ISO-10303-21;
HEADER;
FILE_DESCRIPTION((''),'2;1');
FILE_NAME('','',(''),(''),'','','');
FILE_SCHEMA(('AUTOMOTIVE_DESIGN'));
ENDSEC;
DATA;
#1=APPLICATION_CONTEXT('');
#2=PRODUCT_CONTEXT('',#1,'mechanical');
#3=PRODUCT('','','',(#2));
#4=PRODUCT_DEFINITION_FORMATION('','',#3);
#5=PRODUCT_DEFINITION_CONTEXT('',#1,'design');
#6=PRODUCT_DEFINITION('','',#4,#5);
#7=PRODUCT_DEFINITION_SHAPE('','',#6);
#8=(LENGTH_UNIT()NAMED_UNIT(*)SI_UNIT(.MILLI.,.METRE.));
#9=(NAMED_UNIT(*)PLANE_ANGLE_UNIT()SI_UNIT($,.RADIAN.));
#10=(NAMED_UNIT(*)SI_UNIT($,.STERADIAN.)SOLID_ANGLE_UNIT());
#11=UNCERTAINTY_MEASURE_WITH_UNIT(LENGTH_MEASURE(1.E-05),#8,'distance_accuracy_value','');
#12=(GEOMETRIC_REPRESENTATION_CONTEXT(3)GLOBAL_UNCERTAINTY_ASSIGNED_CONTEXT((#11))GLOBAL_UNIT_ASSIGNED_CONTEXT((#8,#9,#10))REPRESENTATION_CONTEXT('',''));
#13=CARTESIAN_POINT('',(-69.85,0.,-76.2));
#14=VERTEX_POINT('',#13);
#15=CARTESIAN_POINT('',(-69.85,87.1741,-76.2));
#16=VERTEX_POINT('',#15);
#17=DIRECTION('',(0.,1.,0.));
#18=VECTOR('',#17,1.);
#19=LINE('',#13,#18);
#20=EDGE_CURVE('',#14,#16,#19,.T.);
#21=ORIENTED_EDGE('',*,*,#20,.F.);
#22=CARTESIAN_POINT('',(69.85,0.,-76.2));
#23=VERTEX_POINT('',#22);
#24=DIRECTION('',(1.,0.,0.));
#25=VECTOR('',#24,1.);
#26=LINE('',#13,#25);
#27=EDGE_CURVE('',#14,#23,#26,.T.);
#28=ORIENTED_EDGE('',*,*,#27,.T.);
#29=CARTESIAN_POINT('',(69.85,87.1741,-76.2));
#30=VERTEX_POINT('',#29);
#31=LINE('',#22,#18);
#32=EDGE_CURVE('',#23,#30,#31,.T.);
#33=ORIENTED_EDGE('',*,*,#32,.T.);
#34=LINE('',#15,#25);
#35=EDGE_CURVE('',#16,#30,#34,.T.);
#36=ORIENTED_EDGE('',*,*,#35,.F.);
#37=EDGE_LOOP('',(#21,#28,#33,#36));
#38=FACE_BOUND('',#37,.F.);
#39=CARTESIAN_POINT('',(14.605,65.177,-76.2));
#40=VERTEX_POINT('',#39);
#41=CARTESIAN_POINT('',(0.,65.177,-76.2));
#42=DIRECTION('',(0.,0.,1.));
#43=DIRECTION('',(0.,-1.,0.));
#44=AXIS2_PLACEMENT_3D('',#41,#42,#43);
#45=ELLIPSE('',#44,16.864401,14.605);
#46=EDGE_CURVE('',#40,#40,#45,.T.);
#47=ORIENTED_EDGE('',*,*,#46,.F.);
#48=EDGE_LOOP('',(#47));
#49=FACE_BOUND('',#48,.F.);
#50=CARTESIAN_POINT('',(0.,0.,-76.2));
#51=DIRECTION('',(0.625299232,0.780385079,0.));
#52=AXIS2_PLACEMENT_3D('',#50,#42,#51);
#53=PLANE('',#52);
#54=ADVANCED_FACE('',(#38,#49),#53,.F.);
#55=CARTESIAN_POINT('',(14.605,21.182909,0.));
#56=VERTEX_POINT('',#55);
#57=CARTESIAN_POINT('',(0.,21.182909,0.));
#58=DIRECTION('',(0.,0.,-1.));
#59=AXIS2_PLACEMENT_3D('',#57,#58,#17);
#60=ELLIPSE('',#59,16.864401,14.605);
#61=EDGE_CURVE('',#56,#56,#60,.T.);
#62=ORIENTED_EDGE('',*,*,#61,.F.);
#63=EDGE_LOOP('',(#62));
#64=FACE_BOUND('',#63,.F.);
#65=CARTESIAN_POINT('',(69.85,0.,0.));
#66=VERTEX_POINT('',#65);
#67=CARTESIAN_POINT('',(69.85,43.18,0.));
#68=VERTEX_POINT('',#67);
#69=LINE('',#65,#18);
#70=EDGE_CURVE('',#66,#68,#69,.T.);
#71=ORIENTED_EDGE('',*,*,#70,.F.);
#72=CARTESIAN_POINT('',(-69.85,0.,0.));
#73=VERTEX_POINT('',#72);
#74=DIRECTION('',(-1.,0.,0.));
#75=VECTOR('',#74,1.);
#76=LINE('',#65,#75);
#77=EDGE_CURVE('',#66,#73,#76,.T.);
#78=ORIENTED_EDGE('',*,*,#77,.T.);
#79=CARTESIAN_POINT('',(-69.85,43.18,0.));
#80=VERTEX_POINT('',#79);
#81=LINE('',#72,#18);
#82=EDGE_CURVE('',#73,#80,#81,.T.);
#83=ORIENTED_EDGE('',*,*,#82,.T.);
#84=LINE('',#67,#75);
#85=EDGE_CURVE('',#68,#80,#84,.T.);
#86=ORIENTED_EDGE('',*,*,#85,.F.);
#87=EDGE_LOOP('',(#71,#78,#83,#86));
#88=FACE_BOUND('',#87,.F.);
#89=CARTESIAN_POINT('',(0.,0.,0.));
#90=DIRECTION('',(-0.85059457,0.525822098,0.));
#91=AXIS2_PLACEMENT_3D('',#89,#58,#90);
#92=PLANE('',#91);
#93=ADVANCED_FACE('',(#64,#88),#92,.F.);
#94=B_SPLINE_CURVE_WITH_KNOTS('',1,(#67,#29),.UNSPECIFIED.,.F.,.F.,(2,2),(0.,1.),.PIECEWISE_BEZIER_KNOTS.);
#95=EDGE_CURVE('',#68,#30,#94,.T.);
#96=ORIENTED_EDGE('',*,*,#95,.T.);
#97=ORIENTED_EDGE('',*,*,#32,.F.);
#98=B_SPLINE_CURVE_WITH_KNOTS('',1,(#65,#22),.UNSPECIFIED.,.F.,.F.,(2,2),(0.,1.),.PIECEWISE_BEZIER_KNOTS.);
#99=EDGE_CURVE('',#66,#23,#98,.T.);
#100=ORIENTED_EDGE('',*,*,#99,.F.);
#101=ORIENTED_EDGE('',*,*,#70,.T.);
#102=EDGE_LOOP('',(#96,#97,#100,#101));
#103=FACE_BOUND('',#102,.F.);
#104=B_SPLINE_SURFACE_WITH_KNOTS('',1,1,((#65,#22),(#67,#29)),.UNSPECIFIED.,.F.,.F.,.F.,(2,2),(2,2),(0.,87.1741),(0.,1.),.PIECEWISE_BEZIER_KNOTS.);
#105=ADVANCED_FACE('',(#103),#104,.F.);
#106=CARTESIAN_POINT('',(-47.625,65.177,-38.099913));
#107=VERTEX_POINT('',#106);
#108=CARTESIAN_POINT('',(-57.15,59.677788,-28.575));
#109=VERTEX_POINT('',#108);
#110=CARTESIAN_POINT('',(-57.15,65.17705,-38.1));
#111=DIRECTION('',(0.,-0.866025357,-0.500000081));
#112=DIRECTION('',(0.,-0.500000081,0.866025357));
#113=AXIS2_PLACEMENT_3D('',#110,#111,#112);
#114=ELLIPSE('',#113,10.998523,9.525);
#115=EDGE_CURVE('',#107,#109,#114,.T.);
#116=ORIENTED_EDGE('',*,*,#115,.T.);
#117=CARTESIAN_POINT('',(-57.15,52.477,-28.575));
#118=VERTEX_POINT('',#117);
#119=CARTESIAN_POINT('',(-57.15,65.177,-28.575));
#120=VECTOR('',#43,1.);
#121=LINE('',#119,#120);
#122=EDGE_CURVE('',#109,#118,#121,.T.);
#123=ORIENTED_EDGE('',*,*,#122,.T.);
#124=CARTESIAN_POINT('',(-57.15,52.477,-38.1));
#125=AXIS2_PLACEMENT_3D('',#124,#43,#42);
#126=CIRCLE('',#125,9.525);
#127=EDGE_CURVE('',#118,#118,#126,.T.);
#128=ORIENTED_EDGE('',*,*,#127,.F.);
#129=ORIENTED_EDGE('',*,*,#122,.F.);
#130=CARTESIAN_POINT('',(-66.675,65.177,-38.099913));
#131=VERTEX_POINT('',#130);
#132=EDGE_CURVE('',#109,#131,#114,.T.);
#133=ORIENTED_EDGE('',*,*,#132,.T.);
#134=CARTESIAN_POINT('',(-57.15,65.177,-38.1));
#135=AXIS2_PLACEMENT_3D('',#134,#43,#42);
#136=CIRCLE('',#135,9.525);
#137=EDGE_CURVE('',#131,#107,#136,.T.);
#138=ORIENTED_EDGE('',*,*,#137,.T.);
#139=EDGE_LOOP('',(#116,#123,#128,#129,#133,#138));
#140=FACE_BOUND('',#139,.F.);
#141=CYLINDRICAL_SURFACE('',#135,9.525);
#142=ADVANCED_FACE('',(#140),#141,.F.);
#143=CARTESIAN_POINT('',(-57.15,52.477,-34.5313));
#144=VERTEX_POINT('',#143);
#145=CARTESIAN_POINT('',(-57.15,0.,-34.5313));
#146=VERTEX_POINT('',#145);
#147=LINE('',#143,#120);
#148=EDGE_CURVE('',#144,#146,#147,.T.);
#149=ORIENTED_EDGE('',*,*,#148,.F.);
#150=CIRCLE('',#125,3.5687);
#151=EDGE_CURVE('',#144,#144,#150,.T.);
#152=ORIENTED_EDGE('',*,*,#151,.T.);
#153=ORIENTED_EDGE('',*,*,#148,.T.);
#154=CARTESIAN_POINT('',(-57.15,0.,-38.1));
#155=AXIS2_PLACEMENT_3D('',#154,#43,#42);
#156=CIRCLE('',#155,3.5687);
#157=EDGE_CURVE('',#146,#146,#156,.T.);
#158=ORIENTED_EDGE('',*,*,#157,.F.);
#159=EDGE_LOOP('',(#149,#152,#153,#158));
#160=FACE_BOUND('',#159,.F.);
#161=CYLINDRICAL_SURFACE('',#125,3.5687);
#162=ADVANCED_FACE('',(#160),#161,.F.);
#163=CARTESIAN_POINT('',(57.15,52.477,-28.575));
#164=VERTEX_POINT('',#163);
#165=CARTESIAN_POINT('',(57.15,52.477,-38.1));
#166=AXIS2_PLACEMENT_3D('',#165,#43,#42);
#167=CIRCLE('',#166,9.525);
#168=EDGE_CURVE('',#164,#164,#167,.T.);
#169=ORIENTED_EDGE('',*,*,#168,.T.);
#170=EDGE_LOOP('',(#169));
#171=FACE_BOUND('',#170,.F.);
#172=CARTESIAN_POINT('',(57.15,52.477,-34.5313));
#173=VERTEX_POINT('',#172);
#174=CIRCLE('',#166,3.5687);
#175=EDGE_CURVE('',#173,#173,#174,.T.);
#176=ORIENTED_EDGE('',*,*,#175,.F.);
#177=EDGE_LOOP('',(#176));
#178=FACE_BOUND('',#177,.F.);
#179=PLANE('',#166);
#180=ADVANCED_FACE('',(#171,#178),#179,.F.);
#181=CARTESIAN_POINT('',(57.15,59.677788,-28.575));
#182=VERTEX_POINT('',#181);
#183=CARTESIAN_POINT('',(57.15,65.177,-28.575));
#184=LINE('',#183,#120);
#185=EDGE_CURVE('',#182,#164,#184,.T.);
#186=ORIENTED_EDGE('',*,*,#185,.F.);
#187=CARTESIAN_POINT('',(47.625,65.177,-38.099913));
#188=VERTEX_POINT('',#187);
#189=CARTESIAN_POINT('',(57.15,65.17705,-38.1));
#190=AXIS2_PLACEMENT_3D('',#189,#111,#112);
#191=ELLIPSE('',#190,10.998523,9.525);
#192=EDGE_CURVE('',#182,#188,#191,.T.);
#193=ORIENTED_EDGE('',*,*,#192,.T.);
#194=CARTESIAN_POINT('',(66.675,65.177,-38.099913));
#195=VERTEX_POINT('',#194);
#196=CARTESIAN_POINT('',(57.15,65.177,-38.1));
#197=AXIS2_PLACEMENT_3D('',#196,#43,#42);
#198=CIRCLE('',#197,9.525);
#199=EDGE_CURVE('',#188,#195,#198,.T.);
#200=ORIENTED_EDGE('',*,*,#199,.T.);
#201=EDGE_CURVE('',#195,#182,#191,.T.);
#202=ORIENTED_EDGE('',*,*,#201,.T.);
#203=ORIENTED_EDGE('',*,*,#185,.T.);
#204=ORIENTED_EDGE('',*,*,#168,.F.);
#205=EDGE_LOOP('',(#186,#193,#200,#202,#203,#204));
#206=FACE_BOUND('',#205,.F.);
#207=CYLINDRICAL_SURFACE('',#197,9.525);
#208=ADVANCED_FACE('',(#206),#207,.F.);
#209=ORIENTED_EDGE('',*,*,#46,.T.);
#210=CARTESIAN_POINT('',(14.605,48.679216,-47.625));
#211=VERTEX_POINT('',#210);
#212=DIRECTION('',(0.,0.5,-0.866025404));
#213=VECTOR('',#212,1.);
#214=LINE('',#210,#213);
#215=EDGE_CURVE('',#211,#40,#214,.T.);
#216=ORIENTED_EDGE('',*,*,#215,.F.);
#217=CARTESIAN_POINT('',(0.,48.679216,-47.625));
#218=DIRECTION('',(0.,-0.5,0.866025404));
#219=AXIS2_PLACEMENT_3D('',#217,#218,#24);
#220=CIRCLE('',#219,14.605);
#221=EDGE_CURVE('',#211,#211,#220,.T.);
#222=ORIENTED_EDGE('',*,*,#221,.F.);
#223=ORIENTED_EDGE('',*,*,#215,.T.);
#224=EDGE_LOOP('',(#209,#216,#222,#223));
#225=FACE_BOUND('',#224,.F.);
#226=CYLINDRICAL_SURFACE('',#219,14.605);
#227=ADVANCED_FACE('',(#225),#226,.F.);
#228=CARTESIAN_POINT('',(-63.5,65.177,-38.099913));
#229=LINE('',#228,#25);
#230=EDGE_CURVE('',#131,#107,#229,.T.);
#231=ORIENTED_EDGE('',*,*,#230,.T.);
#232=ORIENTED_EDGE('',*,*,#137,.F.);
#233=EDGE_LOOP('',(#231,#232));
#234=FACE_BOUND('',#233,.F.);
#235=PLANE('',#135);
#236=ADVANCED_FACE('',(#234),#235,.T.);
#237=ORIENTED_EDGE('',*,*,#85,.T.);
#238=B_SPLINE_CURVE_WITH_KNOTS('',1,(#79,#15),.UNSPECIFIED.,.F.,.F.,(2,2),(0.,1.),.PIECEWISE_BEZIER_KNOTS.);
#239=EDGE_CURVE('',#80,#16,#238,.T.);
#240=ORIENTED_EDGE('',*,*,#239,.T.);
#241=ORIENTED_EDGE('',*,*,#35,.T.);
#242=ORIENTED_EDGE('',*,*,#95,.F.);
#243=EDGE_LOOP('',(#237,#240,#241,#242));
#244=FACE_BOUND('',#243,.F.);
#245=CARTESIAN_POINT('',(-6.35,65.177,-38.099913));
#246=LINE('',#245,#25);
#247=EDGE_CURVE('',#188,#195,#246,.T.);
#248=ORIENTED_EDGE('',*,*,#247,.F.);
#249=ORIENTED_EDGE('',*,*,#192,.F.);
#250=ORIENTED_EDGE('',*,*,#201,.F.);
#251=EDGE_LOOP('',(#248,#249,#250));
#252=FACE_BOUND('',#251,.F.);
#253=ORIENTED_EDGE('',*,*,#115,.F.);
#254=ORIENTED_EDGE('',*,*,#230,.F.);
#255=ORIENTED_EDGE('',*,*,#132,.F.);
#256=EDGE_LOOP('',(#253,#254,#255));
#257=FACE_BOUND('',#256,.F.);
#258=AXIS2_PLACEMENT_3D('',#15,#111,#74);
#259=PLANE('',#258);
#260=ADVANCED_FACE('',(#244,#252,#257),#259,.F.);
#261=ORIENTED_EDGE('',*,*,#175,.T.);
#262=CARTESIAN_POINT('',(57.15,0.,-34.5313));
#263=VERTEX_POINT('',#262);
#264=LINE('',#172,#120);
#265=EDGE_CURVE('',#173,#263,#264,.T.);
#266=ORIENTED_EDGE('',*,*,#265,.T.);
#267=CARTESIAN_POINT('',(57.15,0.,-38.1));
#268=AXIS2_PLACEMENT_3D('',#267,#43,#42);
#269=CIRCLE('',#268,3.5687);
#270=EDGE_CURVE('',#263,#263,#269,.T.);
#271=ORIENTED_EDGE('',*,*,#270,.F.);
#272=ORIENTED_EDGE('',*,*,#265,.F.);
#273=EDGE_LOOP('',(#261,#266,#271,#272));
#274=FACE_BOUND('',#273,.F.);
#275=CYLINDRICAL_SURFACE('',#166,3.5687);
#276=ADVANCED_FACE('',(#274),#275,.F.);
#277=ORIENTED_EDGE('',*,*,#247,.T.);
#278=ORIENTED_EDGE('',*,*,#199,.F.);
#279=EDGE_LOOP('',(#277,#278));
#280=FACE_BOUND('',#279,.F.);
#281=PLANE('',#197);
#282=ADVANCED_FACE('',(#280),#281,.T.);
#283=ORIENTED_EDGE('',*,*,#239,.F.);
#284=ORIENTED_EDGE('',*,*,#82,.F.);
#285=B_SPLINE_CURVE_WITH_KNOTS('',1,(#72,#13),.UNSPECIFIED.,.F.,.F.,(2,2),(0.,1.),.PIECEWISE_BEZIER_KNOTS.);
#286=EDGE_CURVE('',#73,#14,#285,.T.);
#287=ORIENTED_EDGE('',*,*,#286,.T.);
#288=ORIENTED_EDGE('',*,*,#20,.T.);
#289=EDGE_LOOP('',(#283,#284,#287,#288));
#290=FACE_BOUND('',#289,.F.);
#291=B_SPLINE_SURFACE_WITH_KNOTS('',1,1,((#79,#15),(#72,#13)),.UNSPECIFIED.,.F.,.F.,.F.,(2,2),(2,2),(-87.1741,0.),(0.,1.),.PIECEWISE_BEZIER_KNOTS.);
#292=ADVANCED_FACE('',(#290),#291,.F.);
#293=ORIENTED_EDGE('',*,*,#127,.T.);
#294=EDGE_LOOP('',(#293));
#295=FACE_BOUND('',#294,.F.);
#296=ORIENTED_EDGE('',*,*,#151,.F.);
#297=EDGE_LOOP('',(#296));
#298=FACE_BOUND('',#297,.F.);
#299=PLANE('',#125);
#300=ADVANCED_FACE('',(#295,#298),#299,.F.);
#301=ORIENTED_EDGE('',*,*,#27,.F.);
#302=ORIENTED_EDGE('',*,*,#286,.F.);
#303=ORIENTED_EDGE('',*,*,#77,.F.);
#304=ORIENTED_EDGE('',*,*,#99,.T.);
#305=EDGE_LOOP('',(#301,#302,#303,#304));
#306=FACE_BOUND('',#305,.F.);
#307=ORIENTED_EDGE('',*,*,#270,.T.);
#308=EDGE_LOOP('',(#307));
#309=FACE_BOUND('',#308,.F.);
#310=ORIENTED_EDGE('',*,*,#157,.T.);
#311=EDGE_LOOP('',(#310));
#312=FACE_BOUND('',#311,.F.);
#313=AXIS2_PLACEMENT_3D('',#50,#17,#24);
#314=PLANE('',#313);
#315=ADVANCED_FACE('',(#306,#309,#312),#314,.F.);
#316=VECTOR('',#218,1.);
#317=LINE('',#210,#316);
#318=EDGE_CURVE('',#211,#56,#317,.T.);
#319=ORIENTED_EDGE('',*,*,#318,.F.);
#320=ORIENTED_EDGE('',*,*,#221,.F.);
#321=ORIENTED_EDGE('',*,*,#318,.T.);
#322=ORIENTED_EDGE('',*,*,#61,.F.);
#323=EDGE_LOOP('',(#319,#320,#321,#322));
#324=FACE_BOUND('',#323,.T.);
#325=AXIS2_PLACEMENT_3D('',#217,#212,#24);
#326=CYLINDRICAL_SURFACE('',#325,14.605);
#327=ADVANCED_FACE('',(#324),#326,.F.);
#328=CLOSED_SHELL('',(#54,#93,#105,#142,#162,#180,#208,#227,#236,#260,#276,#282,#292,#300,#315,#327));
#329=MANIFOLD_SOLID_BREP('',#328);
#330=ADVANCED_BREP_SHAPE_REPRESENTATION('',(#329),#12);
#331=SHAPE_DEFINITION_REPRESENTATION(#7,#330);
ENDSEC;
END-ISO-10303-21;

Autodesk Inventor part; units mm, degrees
ref_plane "YZ Plane" through (0, 0, 0) normal (1, 0, 0) x (0, 1, 0)
sketch "Sketch2" plane through (0, 0, 0) normal (0, 0, 1) x (1, 0, 0)
  line L0 (0, 0) -> (69.85, 0)
  line L1 (69.85, 0) -> (69.85, 43.18)
  line L2 (69.85, 43.18) -> (0, 43.18)
  line L3 (0, 0) -> (0, 43.18) construction
  line L4 (0, 0) -> (-69.85, 0)
  line L5 (-69.85, 0) -> (-69.85, 43.18)
  line L6 (-69.85, 43.18) -> (0, 43.18)
  dimension "d2" = 69.85
  dimension "frontHeight" = 43.18
ref_plane "Work Plane1" through (0, 0, -76.2) normal (0, 0, 1) x (1, 0, 0)
sketch "Sketch3" plane through (0, 0, -76.2) normal (0, 0, 1) x (1, 0, 0)
  line L0 (0, 0) -> (69.85, 0)
  line L1 (69.85, 0) -> (69.85, 87.1741)
  line L2 (69.85, 87.1741) -> (0, 87.1741)
  line L3 (0, 0) -> (0, 87.1741) construction
  line L4 (0, 0) -> (-69.85, 0)
  line L5 (-69.85, 0) -> (-69.85, 87.1741)
  line L6 (-69.85, 87.1741) -> (0, 87.1741)
  dimension "d5" = 69.85
  dimension "rearHeight" = 87.1741
loft "Loft1" add profiles "Sketch2", "Sketch3"
sketch "Sketch4" plane through (69.85, 0, -76.2) normal (1, 0, 0) x (0, 0, -1)
  line L0 (-76.2, 43.18) -> (0, 87.1741) construction
  line L1 (-76.2, 43.18) -> (0, 43.18) construction
  line L2 (0, 0) -> (0, 87.1741) construction
  point P0 (-76.2, 0)
  dimension "d11" = 30
sketch "Sketch5" plane through (-69.85, 43.18, 0) normal (0, 0.866, 0.5) x (1, 0, 0)
  line L0 (0, 0) -> (0, 87.9882) construction
  line L1 (0, 43.9941) -> (139.7, 43.9941) construction
  line L2 (139.7, 0) -> (139.7, 87.9882) construction
  point P0 (69.85, -21.59)
ref_plane "Work Plane2" through (-69.85, 65.177, -38.1) normal (0, -0.5, 0.866) x (1, 0, 0)
sketch "Sketch6" plane through (-69.85, 65.177, -38.1) normal (0, -0.5, 0.866) x (1, 0, 0)
  circle A0 centre (69.85, -19.05) radius 14.605
  line L0 (139.7, 0) -> (0, 0) projected
  point P0 (69.85, -37.395)
  dimension "holeDiameter" = 29.21
  dimension "centerLineForHole" = 19.05
extrude "Extrusion1" cut sketch "Sketch6" along normal through all both and the other way through all
ref_plane "centerLineForHoleWork Plane" through (-69.85, 26.6822, -9.525) normal (0, 0.866, 0.5) x (1, 0, 0)
ref_plane "screwHoleWork Plane" through (69.85, 65.177, -38.1) normal (0, 1, 0) x (-1, 0, 0)
sketch "Sketch7" plane through (69.85, 65.177, -38.1) normal (0, 1, 0) x (-1, 0, 0)
  line L0 (0, -38.1) -> (139.7, -38.1) construction
  line L1 (69.85, -38.1) -> (69.85, 38.1) construction
  point P0 (127, 0)
  point P1 (12.7, 0)
  dimension "d18" = 57.15
  dimension "d19" = 57.15
hole "Hole1" at (-57.15, 65.177, -38.1) at (57.15, 65.177, -38.1) direction (0, -1, 0) diameter 7.1374 end through all counterbore diameter 19.05 counterbore depth 12.7 clearance for "Hex Head Bolt" size "1/4" standard "Ansi Unified Screw Threads"
equation "\"d2\" = 0.5 * width"
equation "\"d5\" = 0.5 * width"
equation "\"rearHeight\" = frontHeight + 0.57735 * depth"
equation "\"d18\" = holeDistanceFromCenter"
equation "\"d19\" = holeDistanceFromCenter"
equation "\"width\" = 139.7"
equation "\"d4\" = -depth"
equation "\"depth\" = 76.2"
equation "\"d17\" = -centerLineForHole"
equation "\"holeDistanceFromCenter\" = 57.15"
properties part number "swallowMountV02"
